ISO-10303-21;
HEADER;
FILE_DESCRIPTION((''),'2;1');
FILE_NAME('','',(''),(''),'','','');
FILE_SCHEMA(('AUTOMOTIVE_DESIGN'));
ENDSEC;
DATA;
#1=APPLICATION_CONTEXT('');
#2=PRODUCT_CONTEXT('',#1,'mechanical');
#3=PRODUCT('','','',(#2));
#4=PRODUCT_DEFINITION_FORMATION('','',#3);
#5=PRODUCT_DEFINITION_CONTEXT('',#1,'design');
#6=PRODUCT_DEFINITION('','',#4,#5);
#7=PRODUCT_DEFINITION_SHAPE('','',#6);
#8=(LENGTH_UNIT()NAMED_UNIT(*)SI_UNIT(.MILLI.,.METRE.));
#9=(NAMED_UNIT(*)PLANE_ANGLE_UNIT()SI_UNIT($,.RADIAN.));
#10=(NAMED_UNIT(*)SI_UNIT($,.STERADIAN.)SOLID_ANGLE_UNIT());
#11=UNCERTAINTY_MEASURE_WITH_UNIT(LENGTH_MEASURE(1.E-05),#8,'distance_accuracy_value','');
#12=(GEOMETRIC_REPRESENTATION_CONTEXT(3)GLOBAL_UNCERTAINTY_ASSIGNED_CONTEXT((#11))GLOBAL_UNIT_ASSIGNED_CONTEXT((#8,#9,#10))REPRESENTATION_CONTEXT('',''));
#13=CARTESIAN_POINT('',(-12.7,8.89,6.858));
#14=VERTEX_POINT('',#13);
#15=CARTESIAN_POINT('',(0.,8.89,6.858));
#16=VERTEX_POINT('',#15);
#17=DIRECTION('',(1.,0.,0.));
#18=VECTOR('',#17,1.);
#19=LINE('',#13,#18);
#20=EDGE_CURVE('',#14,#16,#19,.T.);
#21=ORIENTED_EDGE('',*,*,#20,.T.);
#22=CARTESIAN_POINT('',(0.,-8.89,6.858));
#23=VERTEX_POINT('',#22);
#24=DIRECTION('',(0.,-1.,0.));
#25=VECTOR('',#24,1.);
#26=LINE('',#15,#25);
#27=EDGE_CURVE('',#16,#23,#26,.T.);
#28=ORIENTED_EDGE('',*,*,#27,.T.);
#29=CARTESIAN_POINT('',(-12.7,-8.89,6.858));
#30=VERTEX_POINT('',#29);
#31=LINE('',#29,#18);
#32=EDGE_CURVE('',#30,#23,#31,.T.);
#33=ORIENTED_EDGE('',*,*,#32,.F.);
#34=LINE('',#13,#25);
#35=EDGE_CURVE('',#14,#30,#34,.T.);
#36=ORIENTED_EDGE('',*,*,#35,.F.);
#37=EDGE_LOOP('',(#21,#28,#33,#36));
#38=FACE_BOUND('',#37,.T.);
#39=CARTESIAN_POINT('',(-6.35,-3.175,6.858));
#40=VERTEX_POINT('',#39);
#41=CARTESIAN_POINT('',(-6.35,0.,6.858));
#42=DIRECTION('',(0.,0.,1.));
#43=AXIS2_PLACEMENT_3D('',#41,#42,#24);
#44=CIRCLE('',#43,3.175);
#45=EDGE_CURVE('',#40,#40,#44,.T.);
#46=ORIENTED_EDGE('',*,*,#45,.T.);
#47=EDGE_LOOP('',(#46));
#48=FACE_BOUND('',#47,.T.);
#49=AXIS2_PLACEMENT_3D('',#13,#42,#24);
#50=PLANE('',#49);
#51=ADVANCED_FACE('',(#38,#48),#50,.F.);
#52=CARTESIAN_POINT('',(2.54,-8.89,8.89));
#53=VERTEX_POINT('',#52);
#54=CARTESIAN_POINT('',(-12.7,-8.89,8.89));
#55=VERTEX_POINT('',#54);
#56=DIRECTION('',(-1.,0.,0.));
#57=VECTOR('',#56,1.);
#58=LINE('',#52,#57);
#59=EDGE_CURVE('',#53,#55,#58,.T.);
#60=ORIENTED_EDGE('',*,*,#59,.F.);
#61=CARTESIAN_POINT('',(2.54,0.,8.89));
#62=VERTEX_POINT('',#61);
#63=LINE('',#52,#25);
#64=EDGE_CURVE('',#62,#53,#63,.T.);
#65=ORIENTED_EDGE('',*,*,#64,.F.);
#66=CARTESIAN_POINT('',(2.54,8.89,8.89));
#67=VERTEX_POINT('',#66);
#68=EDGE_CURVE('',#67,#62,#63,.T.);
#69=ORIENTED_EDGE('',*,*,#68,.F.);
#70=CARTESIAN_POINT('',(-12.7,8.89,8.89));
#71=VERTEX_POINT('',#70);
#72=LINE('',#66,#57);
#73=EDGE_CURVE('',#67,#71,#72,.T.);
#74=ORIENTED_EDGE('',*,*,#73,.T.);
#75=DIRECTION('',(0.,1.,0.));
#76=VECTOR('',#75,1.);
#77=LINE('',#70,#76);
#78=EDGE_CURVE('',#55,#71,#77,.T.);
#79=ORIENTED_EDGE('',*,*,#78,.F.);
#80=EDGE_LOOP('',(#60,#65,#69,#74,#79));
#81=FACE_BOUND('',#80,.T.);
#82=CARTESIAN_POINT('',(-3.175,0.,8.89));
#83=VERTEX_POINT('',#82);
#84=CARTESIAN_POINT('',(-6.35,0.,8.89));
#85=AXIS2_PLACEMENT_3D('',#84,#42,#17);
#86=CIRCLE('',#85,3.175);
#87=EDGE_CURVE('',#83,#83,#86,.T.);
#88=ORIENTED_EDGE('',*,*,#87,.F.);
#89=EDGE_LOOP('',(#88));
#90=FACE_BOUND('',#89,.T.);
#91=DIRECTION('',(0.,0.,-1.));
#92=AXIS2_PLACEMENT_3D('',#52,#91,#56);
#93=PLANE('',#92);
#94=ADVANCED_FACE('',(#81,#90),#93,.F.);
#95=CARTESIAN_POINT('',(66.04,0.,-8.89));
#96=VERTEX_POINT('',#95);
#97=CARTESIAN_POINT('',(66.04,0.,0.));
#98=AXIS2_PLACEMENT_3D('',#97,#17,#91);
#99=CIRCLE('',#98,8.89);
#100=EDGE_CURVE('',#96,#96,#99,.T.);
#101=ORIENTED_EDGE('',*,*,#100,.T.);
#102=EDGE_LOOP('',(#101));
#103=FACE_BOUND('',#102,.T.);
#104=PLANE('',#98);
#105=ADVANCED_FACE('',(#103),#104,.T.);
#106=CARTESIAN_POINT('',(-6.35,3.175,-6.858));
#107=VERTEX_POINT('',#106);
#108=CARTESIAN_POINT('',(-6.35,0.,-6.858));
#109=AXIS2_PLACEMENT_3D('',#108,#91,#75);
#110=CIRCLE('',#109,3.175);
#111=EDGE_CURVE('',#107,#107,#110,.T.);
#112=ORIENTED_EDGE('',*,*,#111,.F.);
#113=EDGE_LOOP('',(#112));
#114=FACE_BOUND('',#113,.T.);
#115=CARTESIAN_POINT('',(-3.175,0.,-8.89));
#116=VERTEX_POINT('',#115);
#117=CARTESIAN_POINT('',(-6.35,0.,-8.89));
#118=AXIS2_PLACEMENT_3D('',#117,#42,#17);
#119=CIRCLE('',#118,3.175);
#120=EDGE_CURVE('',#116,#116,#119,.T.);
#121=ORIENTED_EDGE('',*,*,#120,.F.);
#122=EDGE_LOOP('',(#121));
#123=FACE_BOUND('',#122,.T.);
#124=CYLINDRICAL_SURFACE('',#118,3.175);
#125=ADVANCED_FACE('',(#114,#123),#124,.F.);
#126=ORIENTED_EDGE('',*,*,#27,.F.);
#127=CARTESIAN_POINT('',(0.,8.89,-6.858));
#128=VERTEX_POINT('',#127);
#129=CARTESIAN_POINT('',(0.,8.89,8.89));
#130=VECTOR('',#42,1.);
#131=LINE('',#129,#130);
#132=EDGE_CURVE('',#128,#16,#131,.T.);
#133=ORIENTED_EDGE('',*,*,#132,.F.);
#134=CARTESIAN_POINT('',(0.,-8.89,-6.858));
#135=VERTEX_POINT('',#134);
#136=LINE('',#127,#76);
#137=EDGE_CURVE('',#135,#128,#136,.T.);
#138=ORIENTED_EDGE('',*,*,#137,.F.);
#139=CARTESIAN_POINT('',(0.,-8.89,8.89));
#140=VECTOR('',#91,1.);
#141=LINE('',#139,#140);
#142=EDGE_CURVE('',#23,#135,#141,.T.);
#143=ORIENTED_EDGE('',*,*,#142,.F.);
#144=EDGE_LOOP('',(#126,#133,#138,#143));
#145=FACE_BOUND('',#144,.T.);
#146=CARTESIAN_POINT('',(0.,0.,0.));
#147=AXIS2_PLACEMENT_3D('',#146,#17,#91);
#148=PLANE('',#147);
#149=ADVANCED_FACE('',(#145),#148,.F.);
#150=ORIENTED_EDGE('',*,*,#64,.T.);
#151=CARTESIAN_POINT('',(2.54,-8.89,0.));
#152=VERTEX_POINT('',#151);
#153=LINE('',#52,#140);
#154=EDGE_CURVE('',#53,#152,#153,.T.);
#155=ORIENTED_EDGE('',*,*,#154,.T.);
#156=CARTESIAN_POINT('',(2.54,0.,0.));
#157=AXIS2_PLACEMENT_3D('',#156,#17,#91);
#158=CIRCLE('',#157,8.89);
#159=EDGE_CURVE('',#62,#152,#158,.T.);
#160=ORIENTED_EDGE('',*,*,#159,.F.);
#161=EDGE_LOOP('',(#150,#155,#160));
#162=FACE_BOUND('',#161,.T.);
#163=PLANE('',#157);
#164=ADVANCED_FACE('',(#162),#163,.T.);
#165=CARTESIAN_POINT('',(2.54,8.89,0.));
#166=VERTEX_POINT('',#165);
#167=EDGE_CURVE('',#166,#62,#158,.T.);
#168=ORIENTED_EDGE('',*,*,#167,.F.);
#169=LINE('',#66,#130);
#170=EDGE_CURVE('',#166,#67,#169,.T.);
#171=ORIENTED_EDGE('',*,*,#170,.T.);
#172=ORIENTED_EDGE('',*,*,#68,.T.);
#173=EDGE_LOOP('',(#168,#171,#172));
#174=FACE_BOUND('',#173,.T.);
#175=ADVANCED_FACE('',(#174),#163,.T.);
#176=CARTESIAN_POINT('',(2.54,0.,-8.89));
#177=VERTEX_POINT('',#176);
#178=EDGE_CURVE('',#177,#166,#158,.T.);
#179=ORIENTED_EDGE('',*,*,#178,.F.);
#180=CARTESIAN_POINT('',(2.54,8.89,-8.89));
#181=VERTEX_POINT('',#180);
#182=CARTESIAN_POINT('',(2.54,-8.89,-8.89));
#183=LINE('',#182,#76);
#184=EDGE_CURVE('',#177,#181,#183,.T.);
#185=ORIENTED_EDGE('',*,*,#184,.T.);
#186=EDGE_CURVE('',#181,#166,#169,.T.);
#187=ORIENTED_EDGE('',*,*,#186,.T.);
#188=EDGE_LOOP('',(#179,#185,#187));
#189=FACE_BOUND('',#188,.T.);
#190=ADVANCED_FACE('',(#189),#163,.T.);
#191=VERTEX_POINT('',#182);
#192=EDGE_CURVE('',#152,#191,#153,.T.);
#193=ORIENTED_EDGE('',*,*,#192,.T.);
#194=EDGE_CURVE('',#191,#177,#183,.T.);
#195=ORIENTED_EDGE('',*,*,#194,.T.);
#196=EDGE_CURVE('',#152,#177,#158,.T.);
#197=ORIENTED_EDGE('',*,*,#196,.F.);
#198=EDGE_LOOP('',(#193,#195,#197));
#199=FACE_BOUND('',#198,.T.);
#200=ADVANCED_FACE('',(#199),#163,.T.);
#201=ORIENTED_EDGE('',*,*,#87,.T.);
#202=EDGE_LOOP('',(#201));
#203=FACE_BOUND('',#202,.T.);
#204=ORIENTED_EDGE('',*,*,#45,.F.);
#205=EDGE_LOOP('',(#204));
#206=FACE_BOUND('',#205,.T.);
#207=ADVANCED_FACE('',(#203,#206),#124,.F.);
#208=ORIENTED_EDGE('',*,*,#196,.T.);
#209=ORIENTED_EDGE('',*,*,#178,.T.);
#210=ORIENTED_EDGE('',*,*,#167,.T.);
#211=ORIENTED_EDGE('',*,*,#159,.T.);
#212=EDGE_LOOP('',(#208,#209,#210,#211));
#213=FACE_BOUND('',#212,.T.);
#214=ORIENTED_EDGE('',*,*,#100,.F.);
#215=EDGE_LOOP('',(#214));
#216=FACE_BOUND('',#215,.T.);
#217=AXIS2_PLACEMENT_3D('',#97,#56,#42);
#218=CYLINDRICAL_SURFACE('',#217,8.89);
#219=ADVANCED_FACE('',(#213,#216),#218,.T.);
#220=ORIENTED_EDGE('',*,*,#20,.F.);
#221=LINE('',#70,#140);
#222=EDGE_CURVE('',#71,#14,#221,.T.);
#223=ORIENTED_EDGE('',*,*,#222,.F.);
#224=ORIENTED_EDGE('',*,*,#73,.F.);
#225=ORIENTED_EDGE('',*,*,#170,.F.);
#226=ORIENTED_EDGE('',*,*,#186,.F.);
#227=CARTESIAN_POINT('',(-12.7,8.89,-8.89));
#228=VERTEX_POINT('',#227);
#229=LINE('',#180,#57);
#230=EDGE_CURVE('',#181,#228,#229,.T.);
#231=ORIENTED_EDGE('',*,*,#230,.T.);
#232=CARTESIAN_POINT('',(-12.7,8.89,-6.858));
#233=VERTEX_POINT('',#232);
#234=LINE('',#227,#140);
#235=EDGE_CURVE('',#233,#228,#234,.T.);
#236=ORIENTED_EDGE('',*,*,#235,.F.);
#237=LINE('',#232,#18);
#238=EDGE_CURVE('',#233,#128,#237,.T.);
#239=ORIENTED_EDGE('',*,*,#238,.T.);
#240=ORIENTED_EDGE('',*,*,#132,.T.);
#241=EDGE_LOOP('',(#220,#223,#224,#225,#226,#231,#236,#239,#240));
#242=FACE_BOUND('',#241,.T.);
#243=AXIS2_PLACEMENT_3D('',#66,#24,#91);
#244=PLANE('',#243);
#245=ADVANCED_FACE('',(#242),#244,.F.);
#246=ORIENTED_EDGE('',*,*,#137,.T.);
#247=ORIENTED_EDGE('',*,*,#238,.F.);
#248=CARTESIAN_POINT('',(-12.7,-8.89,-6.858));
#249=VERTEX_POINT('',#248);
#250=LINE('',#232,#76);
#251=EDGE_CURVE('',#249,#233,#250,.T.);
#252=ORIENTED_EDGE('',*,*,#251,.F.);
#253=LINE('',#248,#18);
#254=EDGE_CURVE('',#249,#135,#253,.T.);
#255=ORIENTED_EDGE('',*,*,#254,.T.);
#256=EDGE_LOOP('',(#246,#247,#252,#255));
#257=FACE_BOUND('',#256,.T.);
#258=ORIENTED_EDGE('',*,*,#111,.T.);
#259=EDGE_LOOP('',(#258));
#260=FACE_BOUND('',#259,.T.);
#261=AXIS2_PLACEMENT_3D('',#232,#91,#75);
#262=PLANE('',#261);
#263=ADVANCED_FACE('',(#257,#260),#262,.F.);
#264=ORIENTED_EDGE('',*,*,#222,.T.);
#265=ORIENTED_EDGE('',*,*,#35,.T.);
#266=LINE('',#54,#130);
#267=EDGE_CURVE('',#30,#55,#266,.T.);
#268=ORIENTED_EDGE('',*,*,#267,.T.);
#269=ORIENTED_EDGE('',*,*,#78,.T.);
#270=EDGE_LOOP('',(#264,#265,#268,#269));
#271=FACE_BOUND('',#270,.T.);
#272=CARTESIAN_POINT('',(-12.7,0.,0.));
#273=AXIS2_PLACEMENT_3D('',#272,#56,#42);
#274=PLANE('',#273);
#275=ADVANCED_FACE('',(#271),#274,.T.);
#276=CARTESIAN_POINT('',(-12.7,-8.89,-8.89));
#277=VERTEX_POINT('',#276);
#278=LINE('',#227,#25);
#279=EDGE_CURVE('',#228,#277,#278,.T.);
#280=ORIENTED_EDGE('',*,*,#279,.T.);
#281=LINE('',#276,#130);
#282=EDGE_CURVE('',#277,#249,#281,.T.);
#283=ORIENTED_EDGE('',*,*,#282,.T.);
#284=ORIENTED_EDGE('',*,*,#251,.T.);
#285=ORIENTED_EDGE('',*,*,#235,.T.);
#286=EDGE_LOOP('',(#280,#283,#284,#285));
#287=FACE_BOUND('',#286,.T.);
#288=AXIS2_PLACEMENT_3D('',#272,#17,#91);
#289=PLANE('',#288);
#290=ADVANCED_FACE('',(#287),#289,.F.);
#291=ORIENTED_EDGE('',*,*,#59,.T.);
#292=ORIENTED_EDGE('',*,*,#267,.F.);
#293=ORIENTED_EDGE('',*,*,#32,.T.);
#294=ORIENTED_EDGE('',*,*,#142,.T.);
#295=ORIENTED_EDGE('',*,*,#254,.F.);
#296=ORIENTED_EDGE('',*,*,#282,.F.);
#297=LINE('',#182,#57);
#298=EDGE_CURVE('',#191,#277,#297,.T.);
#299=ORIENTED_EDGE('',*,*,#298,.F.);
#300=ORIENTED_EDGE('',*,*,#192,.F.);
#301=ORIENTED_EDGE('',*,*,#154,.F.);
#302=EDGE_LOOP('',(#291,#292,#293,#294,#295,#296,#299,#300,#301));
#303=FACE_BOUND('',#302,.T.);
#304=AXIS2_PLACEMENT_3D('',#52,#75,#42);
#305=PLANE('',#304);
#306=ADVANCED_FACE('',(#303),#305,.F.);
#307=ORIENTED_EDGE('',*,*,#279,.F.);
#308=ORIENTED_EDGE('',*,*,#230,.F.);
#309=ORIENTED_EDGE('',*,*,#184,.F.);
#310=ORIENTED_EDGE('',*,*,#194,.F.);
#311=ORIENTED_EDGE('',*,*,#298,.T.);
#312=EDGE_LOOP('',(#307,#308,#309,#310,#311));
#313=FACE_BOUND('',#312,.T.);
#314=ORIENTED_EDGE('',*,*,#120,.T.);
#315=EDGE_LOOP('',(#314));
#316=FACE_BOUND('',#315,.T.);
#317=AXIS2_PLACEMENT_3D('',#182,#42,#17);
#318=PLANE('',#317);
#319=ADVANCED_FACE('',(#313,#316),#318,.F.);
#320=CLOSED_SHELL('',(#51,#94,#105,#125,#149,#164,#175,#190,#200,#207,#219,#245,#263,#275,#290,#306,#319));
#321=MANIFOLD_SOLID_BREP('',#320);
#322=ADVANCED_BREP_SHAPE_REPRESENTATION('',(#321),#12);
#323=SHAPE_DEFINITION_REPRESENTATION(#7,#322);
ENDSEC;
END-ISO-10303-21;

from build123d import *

# Parameters (mm, degrees)
SKETCH2_W           = 17.78
SKETCH2_H           = 17.78
BOSS_EXTRUDE1_DEPTH = 2.54
SKETCH3_R           = 8.89
BOSS_EXTRUDE2_DEPTH = 63.5
SKETCH4_W           = 17.78
SKETCH4_H           = 2.032
BOSS_EXTRUDE3_DEPTH = 12.7
SKETCH5_R           = 3.175
CUT_EXTRUDE1_DEPTH  = 69.966963831


with BuildPart() as part:
    # Sketch2 → Boss-Extrude1 (new body)
    with BuildSketch(Plane.YZ):
        Rectangle(SKETCH2_W, SKETCH2_H)
    extrude(amount=BOSS_EXTRUDE1_DEPTH)

    # Sketch3 → Boss-Extrude2 (add)
    with BuildSketch(Plane(origin=(2.54, 0, 0), x_dir=(0, 0, -1), z_dir=(1, 0, 0))):
        Circle(SKETCH3_R)
    extrude(amount=BOSS_EXTRUDE2_DEPTH)

    # Sketch4 → Boss-Extrude3 (add)
    with BuildSketch(Plane(origin=(0, 0, 0), x_dir=(0, -1, 0), z_dir=(-1, 0, 0))):
        with Locations((0, 7.874)):
            Rectangle(SKETCH4_W, SKETCH4_H)
        with Locations((0, -7.874)):
            Rectangle(SKETCH4_W, SKETCH4_H)
    extrude(amount=BOSS_EXTRUDE3_DEPTH)

    # Sketch5 → Cut-Extrude1 (cut, through all)
    with BuildSketch(Plane.XY.offset(8.89)):
        with Locations((-6.35, 0)):
            Circle(SKETCH5_R)
    extrude(amount=-CUT_EXTRUDE1_DEPTH, mode=Mode.SUBTRACT)


solid = part.part
